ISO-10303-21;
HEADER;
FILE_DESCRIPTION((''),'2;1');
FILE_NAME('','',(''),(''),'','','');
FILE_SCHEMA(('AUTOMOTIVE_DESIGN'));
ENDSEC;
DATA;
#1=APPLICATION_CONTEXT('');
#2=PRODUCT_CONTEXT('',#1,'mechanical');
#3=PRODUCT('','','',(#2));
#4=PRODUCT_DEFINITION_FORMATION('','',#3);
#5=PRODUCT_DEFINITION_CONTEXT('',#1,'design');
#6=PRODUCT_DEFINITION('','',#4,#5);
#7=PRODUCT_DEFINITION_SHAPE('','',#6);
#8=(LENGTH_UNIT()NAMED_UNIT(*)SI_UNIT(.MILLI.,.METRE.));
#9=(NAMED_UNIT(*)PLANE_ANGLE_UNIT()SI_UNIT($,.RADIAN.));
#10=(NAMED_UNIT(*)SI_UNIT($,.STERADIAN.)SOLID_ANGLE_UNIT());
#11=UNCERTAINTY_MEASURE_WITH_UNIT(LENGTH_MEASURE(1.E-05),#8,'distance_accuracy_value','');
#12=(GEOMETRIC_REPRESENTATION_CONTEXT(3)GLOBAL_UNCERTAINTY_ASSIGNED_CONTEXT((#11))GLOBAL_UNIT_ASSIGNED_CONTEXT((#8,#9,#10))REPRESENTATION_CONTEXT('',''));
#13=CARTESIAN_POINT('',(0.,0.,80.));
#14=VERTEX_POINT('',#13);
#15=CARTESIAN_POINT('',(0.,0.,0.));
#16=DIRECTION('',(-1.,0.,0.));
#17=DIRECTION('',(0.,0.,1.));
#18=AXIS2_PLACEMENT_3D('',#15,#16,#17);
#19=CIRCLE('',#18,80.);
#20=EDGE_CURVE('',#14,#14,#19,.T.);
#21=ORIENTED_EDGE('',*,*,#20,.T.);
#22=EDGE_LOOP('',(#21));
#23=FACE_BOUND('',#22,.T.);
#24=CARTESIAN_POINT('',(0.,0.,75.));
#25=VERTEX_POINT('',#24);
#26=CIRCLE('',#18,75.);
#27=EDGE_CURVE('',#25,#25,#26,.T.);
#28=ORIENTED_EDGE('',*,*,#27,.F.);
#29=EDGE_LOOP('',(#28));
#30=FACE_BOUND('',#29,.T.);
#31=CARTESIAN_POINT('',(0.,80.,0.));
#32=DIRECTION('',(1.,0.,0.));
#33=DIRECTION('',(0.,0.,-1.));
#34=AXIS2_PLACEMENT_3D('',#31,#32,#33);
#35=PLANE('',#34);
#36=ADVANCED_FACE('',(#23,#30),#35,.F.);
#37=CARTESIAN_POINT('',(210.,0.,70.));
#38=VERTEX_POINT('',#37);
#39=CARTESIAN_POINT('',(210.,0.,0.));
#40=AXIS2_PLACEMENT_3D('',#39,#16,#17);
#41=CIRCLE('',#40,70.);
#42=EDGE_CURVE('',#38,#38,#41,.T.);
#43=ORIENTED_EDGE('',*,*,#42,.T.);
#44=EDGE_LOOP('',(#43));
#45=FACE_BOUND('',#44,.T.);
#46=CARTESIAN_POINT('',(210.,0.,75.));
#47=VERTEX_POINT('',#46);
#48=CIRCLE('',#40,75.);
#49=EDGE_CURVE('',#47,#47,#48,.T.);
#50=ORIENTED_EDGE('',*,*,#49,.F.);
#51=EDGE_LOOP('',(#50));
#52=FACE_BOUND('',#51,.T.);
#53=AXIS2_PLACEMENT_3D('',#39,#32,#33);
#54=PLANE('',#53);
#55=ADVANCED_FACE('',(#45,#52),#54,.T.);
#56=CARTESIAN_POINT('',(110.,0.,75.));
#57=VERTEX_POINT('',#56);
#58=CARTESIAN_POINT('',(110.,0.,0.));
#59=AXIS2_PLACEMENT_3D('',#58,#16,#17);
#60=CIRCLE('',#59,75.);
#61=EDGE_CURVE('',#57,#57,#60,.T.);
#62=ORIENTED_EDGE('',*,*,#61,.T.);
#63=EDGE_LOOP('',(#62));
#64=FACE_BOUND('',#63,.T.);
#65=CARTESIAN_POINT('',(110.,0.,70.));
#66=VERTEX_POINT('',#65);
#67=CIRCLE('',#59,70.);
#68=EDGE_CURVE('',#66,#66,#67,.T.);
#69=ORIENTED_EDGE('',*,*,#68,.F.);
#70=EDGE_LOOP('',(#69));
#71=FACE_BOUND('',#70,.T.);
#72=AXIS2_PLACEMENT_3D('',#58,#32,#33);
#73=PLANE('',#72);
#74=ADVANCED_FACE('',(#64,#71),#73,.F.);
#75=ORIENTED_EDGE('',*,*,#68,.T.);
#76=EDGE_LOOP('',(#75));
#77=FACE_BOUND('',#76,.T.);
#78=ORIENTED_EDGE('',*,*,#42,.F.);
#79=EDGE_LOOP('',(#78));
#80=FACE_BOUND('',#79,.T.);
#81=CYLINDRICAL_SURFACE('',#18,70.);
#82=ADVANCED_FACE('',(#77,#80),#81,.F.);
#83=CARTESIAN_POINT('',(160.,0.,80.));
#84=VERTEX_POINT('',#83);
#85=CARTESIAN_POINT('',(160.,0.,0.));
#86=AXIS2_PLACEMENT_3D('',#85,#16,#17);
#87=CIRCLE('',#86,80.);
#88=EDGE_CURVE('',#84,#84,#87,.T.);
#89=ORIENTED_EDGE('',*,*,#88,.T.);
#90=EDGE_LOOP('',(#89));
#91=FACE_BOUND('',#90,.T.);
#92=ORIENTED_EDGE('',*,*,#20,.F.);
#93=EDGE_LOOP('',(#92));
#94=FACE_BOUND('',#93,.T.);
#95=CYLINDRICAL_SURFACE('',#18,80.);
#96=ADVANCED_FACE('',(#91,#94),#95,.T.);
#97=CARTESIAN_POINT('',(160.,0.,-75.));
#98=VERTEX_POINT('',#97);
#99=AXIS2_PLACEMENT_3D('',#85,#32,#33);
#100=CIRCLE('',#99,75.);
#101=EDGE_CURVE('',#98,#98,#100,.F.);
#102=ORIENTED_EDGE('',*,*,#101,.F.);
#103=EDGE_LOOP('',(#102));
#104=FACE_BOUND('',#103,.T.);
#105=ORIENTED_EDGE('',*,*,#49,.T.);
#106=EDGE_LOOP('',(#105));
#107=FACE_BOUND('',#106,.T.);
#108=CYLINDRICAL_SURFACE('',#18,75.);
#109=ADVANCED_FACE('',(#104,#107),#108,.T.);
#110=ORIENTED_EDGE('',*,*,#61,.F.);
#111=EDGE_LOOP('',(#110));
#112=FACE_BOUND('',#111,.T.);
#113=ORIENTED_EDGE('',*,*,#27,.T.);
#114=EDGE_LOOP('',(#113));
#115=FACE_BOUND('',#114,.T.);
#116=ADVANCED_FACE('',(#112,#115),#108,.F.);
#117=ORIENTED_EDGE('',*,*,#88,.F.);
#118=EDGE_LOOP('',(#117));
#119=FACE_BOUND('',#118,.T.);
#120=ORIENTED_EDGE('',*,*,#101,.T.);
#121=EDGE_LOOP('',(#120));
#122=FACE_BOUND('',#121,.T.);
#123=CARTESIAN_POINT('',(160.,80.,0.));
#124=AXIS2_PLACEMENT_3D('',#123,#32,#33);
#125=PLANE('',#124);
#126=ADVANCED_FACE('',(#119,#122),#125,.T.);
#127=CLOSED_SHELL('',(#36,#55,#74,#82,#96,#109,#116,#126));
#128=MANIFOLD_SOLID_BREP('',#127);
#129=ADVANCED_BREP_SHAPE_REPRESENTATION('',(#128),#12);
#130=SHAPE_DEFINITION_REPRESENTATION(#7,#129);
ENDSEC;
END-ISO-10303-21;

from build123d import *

# Parameters (mm, degrees)
SKIZZE1_W   = 160
SKIZZE1_H   = 5
SKIZZE1_W_2 = 100


with BuildPart() as part:
    # Skizze1 → Rotation1 (revolve)
    with BuildSketch(Plane.XY, mode=Mode.PRIVATE) as rotation1_sk:
        with Locations((80, 77.5)):
            Rectangle(SKIZZE1_W, SKIZZE1_H)
        with Locations((160, 72.5)):
            Rectangle(SKIZZE1_W_2, SKIZZE1_H)
    revolve(rotation1_sk.sketch.rotate(Axis((0, 0, 0), (1, 0, 0)), 90), axis=Axis((0, 0, 0), (1, 0, 0)))


solid = part.part
